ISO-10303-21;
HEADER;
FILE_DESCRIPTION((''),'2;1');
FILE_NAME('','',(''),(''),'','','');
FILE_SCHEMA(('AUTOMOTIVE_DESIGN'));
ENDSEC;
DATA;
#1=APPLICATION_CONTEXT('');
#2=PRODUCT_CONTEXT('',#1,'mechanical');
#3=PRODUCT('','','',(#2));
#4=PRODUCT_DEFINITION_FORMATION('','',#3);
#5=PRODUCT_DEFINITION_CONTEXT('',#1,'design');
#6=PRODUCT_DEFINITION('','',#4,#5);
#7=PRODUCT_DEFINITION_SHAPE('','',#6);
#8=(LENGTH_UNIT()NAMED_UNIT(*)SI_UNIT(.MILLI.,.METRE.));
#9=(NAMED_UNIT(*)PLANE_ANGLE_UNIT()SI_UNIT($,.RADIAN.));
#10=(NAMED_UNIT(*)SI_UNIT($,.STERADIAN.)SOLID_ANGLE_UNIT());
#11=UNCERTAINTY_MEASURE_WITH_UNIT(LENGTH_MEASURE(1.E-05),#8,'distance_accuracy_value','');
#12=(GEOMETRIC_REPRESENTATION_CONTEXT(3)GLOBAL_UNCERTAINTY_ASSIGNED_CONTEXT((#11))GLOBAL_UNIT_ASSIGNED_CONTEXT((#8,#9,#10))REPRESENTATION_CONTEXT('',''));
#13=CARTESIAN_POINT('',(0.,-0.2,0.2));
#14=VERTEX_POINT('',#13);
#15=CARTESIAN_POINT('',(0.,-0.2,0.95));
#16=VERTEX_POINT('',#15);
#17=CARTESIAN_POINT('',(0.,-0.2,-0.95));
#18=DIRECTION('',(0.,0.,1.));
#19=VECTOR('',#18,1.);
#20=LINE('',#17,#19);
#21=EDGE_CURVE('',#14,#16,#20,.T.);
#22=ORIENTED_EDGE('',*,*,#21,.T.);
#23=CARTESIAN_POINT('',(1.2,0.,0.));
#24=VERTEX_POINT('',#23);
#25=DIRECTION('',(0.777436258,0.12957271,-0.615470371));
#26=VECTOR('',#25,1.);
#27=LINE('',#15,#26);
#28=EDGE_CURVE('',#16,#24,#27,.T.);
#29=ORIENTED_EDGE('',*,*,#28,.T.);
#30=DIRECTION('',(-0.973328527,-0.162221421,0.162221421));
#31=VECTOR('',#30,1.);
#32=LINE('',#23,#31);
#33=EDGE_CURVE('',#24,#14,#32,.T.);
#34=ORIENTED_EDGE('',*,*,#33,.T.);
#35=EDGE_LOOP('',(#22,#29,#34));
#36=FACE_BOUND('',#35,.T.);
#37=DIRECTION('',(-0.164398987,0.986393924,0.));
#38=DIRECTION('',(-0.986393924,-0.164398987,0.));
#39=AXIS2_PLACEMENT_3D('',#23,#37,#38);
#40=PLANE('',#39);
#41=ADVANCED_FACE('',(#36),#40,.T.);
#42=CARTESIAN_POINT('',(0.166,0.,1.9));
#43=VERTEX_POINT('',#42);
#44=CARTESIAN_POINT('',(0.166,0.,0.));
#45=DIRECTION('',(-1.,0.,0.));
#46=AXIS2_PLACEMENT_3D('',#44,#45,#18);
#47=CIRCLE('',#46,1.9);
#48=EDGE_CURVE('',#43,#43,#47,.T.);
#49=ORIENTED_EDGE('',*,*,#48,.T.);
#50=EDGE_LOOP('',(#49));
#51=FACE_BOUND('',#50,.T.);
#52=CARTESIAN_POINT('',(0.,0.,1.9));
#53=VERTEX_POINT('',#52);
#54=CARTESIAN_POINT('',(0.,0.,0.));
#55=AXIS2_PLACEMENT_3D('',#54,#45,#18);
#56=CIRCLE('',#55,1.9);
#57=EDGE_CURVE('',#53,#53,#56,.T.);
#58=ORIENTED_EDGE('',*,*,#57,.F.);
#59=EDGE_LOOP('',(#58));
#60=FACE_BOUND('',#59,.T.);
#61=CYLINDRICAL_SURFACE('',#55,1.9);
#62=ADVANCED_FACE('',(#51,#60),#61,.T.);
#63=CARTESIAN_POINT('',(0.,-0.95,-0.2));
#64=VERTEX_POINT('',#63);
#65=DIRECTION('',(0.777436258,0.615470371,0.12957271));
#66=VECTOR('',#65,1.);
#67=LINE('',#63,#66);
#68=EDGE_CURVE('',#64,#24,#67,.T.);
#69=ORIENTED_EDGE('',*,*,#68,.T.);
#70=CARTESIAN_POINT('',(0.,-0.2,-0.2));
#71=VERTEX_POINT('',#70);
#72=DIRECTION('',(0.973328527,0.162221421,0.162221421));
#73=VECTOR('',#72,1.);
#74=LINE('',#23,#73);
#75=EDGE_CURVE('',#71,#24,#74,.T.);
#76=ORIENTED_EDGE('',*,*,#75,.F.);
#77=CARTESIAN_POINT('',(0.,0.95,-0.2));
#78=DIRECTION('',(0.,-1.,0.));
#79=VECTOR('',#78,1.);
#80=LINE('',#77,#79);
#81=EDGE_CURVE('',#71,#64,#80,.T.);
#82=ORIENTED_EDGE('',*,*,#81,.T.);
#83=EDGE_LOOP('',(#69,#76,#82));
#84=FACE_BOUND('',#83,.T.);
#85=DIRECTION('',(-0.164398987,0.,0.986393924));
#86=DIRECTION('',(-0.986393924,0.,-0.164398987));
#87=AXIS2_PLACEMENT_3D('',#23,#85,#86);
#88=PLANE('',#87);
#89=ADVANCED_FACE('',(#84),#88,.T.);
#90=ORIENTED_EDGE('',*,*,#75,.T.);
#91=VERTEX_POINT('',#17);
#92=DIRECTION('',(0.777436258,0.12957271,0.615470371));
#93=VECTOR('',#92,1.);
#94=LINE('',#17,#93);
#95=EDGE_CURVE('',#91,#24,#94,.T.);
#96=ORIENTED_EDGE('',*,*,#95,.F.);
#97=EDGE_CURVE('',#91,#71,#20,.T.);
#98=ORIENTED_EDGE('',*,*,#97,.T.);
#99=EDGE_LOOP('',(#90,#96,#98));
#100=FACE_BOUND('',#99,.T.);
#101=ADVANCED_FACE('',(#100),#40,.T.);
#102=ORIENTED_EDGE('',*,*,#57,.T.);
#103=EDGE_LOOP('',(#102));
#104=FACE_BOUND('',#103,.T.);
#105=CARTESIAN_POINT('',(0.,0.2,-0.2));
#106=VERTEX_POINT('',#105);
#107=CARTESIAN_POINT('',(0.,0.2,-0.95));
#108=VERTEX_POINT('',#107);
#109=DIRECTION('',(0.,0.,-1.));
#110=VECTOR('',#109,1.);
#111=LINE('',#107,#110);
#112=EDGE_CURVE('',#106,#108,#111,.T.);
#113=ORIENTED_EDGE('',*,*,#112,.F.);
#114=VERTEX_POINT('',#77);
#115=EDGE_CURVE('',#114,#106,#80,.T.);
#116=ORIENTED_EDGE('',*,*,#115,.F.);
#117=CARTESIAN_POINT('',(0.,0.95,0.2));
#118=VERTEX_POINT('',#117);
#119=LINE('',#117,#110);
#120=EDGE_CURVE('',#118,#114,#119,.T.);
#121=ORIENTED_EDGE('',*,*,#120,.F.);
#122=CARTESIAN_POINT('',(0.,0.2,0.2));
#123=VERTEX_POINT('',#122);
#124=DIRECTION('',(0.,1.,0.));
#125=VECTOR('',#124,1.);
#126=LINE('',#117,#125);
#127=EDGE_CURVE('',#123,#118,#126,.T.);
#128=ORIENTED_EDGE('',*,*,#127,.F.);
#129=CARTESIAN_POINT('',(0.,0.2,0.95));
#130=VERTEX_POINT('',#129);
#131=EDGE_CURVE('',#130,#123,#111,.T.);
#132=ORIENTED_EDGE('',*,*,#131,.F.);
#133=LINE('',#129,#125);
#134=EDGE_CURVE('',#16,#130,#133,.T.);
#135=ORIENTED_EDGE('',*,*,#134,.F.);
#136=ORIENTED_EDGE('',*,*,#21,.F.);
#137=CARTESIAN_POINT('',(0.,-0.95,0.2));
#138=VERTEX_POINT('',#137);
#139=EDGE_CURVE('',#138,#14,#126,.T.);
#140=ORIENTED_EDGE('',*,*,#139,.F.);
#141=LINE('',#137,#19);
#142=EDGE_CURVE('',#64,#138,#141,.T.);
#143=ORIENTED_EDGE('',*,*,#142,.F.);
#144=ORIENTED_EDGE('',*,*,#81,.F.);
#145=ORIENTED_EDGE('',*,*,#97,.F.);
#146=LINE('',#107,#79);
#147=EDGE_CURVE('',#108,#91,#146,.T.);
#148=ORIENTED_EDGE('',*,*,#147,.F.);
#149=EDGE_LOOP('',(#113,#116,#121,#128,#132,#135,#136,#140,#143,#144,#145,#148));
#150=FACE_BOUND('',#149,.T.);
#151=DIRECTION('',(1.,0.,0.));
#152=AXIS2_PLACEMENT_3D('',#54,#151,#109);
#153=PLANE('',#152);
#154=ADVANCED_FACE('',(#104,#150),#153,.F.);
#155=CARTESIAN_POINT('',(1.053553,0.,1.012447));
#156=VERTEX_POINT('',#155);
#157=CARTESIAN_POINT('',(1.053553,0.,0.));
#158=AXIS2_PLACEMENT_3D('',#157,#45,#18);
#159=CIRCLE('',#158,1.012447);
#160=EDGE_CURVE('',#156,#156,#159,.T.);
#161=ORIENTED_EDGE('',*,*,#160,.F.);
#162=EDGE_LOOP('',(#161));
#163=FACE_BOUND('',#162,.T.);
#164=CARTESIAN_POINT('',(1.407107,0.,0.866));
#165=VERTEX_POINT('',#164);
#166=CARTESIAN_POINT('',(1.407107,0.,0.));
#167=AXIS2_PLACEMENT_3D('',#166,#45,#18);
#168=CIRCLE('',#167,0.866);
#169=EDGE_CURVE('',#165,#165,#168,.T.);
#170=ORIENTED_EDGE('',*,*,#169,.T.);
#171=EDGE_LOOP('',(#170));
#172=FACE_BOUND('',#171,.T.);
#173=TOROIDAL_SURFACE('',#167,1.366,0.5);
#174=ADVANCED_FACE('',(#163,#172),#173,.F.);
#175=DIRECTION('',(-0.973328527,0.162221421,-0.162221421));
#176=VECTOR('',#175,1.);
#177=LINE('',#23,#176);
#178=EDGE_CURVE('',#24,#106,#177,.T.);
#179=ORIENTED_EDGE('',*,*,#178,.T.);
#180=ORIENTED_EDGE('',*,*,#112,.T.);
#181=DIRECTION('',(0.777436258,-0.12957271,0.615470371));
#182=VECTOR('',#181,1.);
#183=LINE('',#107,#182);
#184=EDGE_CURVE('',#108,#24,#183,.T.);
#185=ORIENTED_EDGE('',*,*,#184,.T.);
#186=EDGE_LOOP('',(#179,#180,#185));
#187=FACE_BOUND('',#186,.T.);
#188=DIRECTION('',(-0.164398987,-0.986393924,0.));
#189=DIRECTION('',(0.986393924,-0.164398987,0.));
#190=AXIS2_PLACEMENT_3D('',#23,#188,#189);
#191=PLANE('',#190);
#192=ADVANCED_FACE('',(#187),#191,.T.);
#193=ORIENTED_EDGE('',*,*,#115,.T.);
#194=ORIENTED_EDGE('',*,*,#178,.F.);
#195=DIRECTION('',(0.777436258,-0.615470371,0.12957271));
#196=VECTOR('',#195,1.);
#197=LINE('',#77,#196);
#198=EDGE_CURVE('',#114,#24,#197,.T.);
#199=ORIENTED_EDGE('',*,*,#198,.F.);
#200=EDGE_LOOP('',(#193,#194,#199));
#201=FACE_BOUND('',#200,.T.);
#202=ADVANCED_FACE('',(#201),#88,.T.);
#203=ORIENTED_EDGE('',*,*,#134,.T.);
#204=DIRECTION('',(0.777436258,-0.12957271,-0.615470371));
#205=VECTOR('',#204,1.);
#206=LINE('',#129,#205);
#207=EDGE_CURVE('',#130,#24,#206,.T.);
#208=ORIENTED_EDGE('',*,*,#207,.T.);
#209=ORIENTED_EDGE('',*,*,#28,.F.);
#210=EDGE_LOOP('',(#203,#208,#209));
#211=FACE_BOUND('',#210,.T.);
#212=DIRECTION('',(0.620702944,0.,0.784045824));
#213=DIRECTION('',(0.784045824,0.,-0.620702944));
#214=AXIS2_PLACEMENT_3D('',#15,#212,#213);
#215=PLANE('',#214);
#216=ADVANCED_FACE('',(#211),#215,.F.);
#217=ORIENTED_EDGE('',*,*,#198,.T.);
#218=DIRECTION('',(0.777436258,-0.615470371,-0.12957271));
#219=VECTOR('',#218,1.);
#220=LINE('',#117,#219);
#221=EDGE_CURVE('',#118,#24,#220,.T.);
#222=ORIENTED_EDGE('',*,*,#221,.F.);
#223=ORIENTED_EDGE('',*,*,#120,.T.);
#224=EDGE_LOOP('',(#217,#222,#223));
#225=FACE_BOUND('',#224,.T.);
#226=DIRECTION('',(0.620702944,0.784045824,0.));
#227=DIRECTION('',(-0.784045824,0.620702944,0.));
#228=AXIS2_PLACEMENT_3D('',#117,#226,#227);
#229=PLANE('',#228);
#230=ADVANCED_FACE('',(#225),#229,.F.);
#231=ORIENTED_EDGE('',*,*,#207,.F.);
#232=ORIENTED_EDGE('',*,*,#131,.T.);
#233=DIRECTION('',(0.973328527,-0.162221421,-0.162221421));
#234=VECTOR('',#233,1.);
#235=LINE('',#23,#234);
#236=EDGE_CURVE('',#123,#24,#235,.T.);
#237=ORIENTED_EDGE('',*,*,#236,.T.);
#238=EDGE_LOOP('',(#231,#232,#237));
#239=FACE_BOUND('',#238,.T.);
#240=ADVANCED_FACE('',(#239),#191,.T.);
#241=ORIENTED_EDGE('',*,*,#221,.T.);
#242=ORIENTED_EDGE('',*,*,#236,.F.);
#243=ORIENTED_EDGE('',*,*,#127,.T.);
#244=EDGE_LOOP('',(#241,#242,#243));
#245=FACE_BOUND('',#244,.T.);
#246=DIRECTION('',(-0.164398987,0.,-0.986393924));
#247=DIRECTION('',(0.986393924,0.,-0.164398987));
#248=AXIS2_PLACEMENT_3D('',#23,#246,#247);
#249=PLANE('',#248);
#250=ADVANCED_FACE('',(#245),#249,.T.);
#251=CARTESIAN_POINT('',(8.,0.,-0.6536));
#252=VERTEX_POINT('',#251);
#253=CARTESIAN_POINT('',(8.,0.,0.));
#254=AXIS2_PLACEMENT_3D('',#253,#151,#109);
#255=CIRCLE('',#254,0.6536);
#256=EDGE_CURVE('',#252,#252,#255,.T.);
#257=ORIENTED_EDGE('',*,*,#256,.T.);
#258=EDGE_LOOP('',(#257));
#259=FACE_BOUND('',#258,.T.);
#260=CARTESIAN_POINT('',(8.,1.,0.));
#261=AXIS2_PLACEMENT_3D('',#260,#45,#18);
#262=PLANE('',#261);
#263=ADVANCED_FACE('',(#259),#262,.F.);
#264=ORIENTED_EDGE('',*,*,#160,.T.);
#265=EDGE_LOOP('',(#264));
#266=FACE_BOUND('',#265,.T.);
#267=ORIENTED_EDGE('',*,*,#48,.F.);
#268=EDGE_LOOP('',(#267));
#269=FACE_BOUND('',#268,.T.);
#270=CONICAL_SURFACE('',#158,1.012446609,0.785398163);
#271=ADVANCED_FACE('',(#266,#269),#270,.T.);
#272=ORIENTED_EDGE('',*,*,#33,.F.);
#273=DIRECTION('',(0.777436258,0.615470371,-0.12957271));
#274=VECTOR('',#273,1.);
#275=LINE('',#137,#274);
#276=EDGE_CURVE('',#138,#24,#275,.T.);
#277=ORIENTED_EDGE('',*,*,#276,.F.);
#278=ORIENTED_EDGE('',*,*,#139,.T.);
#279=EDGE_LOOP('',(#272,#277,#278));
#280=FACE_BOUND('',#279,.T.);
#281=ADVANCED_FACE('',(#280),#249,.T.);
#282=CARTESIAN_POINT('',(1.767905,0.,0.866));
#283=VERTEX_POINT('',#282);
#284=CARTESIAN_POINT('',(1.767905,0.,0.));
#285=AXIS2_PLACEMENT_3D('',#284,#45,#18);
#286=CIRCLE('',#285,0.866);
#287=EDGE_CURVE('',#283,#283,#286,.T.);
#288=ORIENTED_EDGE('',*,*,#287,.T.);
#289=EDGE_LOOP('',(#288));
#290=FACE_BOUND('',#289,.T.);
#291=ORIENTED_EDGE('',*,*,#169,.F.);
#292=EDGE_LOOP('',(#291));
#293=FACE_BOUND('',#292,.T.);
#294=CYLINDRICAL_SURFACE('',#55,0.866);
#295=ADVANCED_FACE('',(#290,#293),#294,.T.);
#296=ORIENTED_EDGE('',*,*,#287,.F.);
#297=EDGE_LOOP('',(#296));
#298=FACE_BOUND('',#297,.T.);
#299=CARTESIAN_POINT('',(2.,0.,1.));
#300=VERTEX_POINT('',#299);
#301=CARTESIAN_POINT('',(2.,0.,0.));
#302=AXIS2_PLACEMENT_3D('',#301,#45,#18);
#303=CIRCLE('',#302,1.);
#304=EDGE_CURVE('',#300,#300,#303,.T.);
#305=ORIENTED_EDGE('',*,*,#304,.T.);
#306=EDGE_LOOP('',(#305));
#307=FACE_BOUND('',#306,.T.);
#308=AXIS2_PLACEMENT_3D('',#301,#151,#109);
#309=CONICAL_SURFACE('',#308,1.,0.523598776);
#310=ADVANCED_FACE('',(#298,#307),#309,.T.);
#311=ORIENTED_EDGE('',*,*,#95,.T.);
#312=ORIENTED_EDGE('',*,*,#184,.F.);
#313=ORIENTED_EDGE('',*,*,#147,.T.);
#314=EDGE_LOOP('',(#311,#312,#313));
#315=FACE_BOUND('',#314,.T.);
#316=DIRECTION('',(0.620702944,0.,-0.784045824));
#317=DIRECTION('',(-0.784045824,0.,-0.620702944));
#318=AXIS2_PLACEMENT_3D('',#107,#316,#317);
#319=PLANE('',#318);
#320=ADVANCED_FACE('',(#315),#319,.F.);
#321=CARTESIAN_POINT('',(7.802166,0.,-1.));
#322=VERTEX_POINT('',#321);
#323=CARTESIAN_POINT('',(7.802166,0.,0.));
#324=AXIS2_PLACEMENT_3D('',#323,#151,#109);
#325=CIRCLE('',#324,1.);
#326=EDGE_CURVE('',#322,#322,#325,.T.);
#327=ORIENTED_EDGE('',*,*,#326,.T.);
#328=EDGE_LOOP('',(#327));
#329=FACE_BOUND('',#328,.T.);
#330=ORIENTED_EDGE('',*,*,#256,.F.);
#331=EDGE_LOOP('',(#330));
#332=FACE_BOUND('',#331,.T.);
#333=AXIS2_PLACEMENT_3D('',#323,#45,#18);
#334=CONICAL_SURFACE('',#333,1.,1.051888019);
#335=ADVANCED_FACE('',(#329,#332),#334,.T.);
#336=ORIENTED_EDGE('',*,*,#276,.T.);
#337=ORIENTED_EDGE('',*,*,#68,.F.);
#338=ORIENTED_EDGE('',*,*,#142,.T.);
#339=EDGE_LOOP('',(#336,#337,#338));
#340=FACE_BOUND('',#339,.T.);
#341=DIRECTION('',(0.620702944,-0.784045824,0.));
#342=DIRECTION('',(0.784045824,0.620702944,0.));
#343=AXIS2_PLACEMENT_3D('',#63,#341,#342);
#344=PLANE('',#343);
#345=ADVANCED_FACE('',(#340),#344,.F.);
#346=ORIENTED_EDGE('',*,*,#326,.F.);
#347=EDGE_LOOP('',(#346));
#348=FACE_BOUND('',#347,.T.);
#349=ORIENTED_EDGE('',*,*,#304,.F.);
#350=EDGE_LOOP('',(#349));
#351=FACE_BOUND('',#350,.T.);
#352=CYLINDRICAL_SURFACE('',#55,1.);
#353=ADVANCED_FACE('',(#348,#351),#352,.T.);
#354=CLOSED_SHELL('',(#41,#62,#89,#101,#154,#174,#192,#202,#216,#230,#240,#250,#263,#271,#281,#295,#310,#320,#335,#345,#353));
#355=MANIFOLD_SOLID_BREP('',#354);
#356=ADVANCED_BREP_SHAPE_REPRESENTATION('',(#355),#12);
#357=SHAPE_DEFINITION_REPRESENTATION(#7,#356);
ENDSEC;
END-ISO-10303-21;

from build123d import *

# Parameters (mm, degrees)
PATTERN_CIRCULAR_1_COUNT = 2
PATTERN_CIRCULAR_1_ANGLE = 90


with BuildPart() as part:
    # 草图1 → Revolve 694 (revolve)
    with BuildSketch(Plane.XY, mode=Mode.PRIVATE) as revolve_694_sk:
        with BuildLine():
            Line((0, 0), (0, 1.9))
            Line((0, 1.9), (0.166, 1.9))
            Line((0.166, 1.9), (1.053553391, 1.012446609))
            ThreePointArc((1.053553391, 1.012446609), (1.215765065, 0.904060234), (1.407106781, 0.866))
            Line((1.407106781, 0.866), (1.767905192, 0.866))
            Line((1.767905192, 0.866), (2, 1))
            Line((2, 1), (8, 1))
            Line((8, 1), (8, 0))
            Line((8, 0), (0, 0))
        make_face()
    revolve(revolve_694_sk.sketch.rotate(Axis((0, 0, 0), (1, 0, 0)), 90), axis=Axis((0, 0, 0), (1, 0, 0)))

    # 草图2 → 切除-旋转1 (revolve, cut)
    with BuildSketch(Plane.XY, mode=Mode.PRIVATE) as cut_revolve_1_sk:
        Polygon((7.802166402, 1), (8.202166402, 1), (8, 0.6536), align=None)
    revolve(cut_revolve_1_sk.sketch.rotate(Axis((0, 0, 0), (-1, 0, 0)), 270), axis=Axis((0, 0, 0), (-1, 0, 0)), mode=Mode.SUBTRACT)

    # 草图3 → 切除-放样1 section 0
    with BuildSketch(Plane.ZY, mode=Mode.PRIVATE) as loft_1_s0:
        with BuildLine():
            Line((-0.95, 0.2), (0.95, 0.2))
            Line((0.95, 0.2), (0.95, -0.2))
            Line((0.95, -0.2), (-0.95, -0.2))
            Line((-0.95, -0.2), (-0.95, 0.2))
        make_face()
    loft_1 = loft([loft_1_s0.sketch, Vertex(1.2, 0, 0)], mode=Mode.SUBTRACT)

    # 阵列(圆周)1: 切除-放样1 ×2 about axis
    pattern_circular_1_axis = Axis((0, 0, 0), (1, 0, 0))
    for i in range(1, PATTERN_CIRCULAR_1_COUNT):
        add(loft_1.rotate(pattern_circular_1_axis, i * PATTERN_CIRCULAR_1_ANGLE / (PATTERN_CIRCULAR_1_COUNT - 1)), mode=Mode.SUBTRACT)


solid = part.part
